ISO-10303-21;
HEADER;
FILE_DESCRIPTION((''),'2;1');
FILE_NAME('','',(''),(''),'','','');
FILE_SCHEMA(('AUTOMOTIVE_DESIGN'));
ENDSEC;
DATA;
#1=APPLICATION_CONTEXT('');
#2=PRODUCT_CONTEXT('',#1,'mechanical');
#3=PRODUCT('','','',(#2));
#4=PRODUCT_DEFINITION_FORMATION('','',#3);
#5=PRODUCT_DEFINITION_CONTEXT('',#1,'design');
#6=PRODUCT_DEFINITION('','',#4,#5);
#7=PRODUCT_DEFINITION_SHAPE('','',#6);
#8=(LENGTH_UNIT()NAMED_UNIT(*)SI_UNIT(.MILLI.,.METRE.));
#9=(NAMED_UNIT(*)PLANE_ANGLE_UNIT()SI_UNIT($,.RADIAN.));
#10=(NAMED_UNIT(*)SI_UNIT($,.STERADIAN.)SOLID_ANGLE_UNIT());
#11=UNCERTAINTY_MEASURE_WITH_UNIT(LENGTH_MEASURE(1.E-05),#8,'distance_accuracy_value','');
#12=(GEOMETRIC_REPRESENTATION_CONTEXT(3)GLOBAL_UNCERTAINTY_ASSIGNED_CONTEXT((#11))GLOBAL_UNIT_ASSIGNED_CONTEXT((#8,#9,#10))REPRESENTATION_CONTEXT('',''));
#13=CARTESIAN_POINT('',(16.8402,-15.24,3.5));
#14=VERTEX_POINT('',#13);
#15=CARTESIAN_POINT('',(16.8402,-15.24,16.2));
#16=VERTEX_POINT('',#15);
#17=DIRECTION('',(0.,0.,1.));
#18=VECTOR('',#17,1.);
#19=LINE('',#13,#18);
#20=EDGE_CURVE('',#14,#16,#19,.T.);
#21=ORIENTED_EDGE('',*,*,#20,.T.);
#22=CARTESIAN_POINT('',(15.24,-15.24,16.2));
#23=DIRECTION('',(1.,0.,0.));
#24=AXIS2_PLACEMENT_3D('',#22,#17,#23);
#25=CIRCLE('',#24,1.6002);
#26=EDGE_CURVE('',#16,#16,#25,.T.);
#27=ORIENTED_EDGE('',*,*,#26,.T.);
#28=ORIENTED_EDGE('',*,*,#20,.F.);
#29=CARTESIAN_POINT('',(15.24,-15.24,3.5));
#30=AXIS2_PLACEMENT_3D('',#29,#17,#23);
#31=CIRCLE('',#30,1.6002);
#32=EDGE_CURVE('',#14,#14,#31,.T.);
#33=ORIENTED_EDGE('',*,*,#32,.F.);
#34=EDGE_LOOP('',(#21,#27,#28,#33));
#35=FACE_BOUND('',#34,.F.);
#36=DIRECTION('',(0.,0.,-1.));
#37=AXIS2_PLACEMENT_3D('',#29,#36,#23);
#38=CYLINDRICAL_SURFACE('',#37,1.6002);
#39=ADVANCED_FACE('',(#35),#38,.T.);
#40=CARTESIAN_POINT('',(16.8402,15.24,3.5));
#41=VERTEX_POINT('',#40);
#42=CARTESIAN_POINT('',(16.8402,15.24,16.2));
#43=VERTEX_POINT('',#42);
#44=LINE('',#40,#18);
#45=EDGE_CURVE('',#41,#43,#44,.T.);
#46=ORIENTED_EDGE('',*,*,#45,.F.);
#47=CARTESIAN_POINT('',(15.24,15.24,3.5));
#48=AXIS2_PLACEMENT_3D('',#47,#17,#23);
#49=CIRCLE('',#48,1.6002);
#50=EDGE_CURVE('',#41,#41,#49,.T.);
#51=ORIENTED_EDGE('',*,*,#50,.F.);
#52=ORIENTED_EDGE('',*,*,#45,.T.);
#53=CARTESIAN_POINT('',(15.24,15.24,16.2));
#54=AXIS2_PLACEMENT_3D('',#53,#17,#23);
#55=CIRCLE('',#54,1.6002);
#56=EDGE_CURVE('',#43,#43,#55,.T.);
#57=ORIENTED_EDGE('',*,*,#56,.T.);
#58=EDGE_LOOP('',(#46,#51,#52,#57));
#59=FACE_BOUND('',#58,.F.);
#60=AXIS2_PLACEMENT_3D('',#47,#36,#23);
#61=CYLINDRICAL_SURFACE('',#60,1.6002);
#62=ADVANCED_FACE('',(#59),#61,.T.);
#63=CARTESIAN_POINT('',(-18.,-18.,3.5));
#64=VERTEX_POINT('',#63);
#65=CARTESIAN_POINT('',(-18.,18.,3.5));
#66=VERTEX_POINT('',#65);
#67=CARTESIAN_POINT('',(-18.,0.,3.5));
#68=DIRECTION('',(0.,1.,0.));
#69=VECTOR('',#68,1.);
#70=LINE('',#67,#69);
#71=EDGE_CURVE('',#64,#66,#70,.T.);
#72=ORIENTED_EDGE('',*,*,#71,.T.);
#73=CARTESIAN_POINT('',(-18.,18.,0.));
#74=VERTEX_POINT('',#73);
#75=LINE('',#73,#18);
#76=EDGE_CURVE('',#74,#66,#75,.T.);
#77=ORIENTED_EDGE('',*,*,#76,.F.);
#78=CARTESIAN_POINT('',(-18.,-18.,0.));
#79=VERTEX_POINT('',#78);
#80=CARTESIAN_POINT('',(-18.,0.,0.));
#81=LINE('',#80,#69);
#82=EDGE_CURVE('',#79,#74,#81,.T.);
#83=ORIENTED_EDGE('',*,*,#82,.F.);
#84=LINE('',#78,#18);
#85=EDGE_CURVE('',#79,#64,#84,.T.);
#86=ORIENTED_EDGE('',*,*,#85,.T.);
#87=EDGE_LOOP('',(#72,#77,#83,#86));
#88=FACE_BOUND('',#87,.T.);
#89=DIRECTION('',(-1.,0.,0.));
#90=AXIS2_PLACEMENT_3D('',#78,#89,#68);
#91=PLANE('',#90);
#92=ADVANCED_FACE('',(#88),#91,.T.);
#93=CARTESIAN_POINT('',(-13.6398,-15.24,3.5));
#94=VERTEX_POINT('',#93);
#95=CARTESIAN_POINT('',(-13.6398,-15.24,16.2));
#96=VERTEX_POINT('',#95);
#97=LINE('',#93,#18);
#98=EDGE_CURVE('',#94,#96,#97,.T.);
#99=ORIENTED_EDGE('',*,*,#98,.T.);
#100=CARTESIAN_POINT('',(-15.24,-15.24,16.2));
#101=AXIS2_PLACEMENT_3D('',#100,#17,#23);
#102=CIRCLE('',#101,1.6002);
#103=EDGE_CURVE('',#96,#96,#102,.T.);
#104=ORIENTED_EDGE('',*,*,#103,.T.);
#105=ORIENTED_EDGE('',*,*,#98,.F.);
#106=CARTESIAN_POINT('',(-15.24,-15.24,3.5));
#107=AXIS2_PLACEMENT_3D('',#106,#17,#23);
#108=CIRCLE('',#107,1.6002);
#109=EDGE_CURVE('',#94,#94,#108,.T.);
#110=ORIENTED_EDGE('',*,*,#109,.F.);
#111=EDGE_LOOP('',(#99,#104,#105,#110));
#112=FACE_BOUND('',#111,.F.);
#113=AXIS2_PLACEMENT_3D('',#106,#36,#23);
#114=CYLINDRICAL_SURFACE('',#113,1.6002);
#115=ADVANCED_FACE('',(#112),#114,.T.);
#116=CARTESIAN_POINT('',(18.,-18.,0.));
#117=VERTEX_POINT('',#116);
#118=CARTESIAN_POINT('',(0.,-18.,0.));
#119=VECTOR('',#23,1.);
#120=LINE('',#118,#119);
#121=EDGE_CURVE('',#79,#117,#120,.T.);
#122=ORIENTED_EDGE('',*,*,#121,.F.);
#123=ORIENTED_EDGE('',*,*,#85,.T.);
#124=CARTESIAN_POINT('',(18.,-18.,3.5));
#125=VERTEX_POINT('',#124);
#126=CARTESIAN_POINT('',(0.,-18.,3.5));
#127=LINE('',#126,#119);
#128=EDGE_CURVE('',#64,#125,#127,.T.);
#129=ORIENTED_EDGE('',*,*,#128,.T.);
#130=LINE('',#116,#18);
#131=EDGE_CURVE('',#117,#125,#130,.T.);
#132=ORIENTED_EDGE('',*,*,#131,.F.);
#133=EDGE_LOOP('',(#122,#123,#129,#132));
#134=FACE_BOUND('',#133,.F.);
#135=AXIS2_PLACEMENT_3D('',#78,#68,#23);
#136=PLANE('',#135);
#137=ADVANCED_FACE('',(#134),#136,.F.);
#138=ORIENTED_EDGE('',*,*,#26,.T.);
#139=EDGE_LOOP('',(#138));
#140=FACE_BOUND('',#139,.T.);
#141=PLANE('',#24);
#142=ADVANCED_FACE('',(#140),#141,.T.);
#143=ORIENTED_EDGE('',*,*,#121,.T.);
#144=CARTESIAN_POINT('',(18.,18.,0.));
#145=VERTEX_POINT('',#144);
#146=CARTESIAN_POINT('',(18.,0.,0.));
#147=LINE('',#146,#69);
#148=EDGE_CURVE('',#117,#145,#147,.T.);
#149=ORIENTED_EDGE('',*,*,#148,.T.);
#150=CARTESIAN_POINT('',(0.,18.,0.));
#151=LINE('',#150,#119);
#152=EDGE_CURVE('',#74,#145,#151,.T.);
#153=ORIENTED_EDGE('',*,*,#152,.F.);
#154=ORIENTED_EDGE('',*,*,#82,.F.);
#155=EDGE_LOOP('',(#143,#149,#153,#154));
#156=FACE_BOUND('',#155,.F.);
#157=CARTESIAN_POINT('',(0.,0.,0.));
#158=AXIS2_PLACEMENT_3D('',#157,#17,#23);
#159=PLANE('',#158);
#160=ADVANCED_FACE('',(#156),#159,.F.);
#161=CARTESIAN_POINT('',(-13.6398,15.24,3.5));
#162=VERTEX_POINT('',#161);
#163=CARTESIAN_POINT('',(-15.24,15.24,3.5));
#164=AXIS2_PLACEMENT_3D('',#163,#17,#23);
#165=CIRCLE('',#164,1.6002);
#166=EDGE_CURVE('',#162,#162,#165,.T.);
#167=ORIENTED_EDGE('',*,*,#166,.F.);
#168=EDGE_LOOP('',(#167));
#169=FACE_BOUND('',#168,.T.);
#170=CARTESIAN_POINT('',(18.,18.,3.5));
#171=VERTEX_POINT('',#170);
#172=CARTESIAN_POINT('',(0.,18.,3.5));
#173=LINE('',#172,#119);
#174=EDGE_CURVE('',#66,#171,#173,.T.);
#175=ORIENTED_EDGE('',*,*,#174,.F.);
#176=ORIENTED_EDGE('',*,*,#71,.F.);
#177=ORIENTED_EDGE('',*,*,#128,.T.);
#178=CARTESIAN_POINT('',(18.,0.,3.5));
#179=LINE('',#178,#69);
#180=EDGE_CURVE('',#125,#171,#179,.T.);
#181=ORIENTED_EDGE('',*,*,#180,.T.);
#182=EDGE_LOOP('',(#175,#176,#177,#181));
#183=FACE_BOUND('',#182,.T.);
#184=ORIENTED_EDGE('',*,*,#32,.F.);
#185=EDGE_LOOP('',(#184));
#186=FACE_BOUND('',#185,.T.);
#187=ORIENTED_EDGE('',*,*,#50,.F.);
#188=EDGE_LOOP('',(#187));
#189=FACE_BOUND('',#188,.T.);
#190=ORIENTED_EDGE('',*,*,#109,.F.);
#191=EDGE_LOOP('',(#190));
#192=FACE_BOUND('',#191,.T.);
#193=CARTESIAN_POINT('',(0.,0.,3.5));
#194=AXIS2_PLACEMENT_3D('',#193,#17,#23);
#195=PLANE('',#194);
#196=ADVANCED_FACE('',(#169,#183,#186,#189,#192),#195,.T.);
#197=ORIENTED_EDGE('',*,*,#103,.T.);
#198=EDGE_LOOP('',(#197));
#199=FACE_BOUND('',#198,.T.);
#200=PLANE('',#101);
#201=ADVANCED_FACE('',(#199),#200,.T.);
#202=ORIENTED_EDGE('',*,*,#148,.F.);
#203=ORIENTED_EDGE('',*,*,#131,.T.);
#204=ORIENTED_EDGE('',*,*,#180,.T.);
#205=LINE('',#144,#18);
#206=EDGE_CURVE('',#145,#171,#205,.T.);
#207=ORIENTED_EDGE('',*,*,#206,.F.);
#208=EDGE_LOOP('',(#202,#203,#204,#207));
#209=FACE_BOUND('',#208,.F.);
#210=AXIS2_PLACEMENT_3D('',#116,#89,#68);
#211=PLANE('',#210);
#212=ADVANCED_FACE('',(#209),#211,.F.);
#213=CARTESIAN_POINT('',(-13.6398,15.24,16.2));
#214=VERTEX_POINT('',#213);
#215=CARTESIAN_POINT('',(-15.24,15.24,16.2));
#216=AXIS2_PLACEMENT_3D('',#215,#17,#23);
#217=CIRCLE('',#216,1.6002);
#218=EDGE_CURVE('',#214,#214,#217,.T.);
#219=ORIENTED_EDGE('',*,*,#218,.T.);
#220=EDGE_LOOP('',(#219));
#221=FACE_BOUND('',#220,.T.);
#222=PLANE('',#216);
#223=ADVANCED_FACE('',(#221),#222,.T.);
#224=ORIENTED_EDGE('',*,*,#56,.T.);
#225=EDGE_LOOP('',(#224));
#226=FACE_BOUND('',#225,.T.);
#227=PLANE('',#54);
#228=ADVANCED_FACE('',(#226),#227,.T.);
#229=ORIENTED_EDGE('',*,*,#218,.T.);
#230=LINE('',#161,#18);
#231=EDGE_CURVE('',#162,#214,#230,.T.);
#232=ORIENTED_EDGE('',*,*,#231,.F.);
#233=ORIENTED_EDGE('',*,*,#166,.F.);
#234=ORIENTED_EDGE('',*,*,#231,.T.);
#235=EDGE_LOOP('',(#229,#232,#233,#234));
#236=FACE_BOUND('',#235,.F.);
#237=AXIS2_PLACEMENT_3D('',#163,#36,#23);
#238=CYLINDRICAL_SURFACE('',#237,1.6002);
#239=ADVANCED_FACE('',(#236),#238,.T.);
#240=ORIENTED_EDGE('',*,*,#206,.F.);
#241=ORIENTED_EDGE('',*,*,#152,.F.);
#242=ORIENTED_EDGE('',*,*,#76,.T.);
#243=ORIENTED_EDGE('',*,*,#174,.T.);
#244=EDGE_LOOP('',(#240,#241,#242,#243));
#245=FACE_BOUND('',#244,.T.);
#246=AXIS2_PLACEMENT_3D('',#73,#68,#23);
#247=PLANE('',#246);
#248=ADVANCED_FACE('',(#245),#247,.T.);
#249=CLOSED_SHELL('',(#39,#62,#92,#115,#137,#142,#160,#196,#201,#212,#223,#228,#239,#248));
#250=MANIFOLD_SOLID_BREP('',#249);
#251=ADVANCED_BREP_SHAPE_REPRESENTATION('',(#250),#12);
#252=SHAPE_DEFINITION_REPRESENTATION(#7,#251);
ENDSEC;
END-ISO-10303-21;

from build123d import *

# Parameters (mm, degrees)
F0_W     = 36
F0_H     = 36
F1_DEPTH = 3.5
F2_R     = 1.6002
F3_DEPTH = 12.7


with BuildPart() as f1:
    # F0 (on Top) → F1 (new body)
    with BuildSketch(Plane.XY):
        Rectangle(F0_W, F0_H)
    extrude(amount=F1_DEPTH)

    # F2 (on face) → F3 (join)
    with BuildSketch(Plane.XY.offset(3.5)):
        with Locations((-15.24, 15.24)):
            Circle(F2_R)
        with Locations((15.24, 15.24)):
            Circle(F2_R)
        with Locations((-15.24, -15.24)):
            Circle(F2_R)
        with Locations((15.24, -15.24)):
            Circle(F2_R)
    extrude(amount=F3_DEPTH)


solid = f1.part
